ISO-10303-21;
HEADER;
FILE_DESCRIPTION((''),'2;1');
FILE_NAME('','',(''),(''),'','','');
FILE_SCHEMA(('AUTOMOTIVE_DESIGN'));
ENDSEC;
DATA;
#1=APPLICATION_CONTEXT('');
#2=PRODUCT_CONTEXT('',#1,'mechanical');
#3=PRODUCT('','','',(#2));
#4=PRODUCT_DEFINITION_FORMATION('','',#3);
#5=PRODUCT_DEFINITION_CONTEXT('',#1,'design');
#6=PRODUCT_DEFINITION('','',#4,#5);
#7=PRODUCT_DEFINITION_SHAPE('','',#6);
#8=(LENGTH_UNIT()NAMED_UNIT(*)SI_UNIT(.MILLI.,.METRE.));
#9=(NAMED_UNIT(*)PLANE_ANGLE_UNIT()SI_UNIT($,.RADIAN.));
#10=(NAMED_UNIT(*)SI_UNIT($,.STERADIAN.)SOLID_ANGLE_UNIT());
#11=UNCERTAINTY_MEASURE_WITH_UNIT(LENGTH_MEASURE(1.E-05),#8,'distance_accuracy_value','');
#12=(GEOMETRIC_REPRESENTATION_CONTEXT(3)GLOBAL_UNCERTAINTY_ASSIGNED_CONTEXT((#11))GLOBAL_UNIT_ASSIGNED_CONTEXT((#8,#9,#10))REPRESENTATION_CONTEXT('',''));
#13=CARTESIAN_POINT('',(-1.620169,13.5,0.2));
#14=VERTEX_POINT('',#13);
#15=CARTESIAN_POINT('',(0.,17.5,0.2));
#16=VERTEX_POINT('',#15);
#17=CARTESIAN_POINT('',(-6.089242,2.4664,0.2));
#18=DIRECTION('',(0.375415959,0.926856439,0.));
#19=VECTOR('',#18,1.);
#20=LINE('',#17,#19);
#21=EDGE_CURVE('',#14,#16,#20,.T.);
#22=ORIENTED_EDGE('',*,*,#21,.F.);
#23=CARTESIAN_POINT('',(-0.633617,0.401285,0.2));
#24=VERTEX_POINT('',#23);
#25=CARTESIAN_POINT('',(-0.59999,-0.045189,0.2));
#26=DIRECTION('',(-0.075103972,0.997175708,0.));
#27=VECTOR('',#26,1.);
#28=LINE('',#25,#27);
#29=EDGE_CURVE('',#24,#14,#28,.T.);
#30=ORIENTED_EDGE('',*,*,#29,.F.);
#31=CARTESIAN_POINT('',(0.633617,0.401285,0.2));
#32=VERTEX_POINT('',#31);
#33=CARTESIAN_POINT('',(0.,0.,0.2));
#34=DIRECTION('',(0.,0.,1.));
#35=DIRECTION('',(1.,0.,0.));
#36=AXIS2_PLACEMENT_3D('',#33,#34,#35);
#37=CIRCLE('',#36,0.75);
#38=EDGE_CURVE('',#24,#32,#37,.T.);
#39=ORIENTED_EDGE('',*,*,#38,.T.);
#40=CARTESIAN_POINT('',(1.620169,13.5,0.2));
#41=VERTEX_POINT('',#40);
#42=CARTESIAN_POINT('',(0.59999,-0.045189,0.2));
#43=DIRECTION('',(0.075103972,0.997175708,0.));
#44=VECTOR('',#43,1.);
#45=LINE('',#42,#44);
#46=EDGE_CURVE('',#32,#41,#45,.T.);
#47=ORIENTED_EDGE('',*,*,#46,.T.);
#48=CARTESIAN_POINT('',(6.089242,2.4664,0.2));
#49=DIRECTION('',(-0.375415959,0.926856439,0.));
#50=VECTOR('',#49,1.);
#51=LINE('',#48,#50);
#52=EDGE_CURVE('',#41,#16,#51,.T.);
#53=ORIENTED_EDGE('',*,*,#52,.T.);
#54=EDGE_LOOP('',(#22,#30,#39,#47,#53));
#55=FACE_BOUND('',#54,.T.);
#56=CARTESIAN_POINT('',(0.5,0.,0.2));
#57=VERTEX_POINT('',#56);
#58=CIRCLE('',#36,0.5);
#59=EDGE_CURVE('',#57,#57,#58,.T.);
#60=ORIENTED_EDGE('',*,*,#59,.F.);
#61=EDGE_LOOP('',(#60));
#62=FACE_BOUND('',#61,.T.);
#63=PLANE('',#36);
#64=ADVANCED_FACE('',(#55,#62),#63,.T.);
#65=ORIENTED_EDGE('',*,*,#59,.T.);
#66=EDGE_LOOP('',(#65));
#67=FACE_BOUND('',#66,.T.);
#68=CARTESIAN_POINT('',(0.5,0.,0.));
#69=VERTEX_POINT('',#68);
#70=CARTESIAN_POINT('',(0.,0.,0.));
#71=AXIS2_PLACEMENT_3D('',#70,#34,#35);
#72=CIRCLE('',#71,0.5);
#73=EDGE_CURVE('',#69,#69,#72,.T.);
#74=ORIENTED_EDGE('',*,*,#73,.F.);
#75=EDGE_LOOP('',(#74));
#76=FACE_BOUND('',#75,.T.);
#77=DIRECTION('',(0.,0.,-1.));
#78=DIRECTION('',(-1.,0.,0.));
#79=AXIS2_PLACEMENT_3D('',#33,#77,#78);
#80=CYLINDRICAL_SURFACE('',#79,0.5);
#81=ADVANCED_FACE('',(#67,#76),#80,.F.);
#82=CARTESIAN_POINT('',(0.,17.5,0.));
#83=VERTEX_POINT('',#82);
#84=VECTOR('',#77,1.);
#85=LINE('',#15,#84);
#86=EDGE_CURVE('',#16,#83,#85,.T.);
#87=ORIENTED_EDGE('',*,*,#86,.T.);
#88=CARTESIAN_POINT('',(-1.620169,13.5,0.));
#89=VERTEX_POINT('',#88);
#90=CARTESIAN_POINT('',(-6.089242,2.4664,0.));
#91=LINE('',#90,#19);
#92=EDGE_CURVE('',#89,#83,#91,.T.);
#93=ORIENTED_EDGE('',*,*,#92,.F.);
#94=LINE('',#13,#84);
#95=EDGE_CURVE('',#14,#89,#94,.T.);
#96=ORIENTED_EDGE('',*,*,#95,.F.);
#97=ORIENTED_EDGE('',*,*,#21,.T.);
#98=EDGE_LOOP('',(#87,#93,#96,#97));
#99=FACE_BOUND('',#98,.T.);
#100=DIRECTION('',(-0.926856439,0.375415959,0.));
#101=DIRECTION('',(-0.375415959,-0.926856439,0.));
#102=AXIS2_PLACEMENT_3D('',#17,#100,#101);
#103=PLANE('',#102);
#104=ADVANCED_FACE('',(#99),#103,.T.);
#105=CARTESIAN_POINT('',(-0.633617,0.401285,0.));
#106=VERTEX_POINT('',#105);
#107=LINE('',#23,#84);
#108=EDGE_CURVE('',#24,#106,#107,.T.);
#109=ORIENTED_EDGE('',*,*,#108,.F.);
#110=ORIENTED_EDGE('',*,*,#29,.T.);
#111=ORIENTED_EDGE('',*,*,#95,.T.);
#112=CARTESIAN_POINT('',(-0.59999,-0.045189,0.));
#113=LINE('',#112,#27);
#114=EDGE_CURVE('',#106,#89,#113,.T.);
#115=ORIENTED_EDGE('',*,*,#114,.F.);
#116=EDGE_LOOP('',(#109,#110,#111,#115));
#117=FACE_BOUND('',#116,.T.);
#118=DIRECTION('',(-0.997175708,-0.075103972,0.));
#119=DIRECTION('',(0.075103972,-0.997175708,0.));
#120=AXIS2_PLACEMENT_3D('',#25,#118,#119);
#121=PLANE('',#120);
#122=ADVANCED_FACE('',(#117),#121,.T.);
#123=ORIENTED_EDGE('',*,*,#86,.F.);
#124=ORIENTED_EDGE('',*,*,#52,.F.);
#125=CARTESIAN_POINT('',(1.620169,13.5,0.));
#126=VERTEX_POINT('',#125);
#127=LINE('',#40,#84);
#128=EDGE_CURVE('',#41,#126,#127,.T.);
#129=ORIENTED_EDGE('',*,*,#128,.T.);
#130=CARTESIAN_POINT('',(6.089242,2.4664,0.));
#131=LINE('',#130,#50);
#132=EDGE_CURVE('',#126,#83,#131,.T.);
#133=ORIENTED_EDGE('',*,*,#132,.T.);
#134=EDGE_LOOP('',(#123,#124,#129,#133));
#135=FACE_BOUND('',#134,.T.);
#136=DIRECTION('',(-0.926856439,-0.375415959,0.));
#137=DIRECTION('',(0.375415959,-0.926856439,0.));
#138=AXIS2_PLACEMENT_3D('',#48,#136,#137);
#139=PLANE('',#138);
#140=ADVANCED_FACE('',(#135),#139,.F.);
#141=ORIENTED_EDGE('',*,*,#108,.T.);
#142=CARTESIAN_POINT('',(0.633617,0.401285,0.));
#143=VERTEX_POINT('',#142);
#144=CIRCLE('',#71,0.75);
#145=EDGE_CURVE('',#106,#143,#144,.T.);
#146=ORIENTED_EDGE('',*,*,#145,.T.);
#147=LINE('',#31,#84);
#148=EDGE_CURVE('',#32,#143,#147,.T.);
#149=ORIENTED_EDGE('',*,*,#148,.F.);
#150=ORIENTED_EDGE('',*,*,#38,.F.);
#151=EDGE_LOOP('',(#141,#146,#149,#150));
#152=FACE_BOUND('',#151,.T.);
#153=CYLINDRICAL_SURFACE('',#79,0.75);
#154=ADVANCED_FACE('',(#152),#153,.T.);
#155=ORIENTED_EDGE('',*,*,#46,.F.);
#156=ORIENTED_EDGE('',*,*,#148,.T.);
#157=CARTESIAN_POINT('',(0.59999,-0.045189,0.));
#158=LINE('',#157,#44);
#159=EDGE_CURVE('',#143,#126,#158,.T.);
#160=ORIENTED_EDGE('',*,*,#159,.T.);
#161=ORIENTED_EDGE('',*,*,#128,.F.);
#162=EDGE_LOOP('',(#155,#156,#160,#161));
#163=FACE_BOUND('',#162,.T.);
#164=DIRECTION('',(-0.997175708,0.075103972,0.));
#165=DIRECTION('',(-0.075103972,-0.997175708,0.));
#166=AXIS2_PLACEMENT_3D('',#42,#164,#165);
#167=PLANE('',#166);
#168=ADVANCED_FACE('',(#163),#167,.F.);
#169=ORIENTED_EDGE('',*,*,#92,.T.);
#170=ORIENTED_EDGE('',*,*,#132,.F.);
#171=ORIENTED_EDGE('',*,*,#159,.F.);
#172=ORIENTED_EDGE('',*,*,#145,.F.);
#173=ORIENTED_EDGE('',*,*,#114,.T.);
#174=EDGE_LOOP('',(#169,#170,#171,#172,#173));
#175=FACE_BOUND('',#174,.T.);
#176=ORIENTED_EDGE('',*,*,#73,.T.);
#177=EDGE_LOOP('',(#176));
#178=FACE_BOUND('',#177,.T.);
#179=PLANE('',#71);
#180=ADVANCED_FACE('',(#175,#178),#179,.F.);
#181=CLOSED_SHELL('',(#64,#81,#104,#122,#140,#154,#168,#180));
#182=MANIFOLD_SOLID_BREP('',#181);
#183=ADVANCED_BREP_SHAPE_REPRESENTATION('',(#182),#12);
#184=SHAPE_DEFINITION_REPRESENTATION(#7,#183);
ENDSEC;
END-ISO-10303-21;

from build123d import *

# Parameters (mm, degrees)
CROQUIS1_R              = 0.5
SALIENTE_EXTRUIR2_DEPTH = 0.2


with BuildPart() as part:
    # Croquis1 → Saliente-Extruir2 (new body)
    with BuildSketch(Plane.XY):
        with BuildLine():
            Line((-1.620168748, 13.5), (-0.633616905, 0.401284958))
            ThreePointArc((-0.633616905, 0.401284958), (0, -0.75), (0.633616905, 0.401284958))
            Line((0.633616905, 0.401284958), (1.620168748, 13.5))
            Line((1.620168748, 13.5), (0, 17.5))
            Line((0, 17.5), (-1.620168748, 13.5))
        make_face()
        Circle(CROQUIS1_R, mode=Mode.SUBTRACT)
    extrude(amount=SALIENTE_EXTRUIR2_DEPTH)


solid = part.part
